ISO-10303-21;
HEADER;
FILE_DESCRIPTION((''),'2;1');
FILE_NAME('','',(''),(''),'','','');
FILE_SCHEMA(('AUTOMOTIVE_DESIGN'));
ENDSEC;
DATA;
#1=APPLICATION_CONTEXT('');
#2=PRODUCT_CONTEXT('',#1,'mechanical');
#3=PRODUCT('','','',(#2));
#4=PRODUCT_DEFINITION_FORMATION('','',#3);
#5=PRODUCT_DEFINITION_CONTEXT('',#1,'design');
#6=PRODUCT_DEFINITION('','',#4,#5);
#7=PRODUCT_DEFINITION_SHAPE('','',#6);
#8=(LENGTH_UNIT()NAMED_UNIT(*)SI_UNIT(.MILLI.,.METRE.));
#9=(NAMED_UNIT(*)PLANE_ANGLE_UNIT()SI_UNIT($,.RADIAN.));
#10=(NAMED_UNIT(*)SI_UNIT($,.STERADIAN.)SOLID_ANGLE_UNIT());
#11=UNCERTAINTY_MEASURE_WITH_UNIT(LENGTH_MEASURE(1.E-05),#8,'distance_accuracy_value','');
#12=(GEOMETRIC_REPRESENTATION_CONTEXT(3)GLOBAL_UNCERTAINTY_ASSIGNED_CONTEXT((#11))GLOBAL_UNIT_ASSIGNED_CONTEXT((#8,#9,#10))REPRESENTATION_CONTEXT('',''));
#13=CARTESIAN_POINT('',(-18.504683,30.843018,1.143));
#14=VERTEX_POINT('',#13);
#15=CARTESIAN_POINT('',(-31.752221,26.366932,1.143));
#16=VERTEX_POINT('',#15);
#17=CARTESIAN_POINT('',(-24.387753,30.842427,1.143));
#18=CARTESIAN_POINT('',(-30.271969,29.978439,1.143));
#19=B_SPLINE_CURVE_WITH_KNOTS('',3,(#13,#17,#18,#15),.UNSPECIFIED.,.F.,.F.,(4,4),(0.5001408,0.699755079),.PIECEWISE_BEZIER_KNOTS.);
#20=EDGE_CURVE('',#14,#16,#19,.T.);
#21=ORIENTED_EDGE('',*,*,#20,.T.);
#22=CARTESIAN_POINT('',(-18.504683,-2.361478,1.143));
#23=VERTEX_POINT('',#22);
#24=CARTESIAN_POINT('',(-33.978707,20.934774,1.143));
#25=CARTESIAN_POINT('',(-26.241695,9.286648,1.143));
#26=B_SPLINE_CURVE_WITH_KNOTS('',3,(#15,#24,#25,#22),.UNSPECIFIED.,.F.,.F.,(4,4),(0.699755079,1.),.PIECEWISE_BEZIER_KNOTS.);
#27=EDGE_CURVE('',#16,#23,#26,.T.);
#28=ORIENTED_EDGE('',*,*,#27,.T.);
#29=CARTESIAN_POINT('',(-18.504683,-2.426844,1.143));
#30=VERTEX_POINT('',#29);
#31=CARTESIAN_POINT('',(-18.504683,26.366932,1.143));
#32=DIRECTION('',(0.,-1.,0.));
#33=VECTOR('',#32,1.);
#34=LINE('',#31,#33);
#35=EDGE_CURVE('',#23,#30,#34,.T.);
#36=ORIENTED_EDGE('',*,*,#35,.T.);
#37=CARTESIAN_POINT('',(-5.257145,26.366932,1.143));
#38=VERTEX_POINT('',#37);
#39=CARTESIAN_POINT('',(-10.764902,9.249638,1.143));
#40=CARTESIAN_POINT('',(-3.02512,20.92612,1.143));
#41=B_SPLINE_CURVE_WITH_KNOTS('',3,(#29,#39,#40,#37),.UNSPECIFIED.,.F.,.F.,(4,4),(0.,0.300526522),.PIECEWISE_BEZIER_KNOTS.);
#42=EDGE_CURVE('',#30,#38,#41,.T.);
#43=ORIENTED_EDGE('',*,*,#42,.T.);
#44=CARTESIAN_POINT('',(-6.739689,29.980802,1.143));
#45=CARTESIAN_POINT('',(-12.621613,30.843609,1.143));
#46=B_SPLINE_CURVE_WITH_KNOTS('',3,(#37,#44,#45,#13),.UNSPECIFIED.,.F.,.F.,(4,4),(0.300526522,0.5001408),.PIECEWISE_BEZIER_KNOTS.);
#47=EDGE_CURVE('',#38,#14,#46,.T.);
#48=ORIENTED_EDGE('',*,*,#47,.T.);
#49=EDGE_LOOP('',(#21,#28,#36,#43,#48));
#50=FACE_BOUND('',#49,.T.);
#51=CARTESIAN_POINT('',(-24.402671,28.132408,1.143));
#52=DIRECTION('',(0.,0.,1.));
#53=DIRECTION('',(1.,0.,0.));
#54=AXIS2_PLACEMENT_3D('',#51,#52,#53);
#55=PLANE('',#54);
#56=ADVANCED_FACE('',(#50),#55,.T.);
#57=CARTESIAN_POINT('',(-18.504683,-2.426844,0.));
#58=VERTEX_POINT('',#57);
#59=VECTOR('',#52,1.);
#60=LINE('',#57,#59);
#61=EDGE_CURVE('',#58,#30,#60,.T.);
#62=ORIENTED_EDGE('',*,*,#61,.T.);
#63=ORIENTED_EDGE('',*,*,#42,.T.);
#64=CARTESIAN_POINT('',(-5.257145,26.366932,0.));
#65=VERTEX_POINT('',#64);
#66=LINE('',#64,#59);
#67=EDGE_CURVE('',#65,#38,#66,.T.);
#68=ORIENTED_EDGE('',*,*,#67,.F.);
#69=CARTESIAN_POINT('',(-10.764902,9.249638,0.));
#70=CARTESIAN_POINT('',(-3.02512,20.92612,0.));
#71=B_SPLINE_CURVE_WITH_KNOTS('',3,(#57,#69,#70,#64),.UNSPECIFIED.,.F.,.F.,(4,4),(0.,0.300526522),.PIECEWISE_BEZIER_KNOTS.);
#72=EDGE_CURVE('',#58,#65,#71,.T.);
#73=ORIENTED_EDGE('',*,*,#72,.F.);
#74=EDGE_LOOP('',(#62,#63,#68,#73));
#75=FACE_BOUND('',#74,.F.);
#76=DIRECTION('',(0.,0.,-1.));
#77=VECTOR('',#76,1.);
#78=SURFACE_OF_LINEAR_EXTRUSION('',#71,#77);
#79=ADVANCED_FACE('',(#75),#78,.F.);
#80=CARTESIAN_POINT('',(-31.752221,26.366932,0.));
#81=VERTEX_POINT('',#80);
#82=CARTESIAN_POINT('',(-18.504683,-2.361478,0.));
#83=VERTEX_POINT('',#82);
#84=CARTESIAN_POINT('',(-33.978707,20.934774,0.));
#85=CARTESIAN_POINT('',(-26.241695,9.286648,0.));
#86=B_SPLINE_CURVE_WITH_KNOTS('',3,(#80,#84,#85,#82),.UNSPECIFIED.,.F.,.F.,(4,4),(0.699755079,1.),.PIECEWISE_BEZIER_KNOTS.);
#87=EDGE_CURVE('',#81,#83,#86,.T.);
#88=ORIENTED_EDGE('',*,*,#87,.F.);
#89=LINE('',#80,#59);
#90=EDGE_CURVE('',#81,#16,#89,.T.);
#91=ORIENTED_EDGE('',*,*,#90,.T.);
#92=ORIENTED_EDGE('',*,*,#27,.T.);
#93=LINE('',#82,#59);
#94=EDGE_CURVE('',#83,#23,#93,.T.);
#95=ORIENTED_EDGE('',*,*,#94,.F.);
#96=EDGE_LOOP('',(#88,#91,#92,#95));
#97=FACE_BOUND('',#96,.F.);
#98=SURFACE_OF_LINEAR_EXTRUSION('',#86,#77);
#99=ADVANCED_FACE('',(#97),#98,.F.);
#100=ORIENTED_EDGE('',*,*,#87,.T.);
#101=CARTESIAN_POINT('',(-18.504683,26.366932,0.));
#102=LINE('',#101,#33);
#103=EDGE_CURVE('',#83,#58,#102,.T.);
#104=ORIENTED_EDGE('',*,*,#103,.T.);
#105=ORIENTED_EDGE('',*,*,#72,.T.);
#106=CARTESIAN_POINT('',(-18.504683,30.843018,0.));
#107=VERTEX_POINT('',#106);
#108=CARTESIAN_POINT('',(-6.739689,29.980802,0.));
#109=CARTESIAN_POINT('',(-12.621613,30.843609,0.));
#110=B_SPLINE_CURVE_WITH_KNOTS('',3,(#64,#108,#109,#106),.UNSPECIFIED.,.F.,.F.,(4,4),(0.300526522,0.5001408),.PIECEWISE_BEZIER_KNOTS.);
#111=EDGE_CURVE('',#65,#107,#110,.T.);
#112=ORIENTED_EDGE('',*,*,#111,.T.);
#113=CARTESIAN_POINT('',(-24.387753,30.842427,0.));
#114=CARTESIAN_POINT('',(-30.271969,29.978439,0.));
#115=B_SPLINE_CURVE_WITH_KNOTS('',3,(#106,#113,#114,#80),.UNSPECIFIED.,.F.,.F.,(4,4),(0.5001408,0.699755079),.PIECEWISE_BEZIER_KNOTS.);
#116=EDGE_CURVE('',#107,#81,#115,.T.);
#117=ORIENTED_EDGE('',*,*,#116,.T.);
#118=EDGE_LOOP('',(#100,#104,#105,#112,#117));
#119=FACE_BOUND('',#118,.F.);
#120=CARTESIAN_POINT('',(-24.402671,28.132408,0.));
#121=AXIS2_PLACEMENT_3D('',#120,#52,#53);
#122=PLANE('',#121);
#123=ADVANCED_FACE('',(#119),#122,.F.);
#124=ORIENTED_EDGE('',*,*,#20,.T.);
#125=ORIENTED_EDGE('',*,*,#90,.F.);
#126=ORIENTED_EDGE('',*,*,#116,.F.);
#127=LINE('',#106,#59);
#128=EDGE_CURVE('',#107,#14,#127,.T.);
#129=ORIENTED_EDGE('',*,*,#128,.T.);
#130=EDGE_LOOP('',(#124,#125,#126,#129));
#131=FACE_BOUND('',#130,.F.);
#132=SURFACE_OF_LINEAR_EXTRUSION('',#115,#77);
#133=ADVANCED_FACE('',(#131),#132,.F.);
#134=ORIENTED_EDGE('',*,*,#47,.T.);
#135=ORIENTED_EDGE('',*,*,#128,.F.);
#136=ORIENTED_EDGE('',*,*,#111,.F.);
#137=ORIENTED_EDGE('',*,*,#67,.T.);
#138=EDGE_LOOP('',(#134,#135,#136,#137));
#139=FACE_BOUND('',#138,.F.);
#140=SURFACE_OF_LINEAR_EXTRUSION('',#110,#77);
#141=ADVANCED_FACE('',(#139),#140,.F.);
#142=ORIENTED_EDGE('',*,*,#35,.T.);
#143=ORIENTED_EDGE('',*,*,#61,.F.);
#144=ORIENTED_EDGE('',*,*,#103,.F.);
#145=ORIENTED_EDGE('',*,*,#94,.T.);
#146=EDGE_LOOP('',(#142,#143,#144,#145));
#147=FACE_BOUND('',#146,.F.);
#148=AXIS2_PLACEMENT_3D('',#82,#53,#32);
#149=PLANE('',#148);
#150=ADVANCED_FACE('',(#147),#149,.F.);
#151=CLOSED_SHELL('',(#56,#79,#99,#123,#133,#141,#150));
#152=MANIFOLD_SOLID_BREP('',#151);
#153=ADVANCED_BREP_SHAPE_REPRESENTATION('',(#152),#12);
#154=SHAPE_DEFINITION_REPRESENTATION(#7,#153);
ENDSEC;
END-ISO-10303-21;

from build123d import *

# Parameters (mm, degrees)
F1_DEPTH = 1.143


with BuildPart() as f1:
    # F0 (on Top) → F1 (new body)
    with BuildSketch(Plane.XY):
        with BuildLine():
            add(Edge.make_bspline(
                [(-18.5046829283, 30.8430176228), (-24.3877528194, 30.8424266682), (-30.2719686891, 29.9784386119), (-31.7522212863, 26.3669323176)],
                knots=[0.5001408003, 0.5001408003, 0.5001408003, 0.5001408003, 0.6997550787, 0.6997550787, 0.6997550787, 0.6997550787], degree=3))
            Line((-31.7522212863, 26.3669323176), (-18.5046829283, 26.3669323176))
            Line((-18.5046829283, 26.3669323176), (-18.5046829283, 30.8430176228))
        make_face()
        with BuildLine():
            Line((-18.5046829283, 26.3669323176), (-31.7522212863, 26.3669323176))
            add(Edge.make_bspline(
                [(-31.7522212863, 26.3669323176), (-33.9787069275, 20.9347736964), (-26.2416949279, 9.2866478226), (-18.5046829283, -2.3614780512)],
                knots=[0.6997550787, 0.6997550787, 0.6997550787, 0.6997550787, 1, 1, 1, 1], degree=3))
            Line((-18.5046829283, -2.3614780512), (-18.5046829283, 26.3669323176))
        make_face()
        with BuildLine():
            Line((-18.5046829283, 30.8430176228), (-18.5046829283, 26.3669323176))
            Line((-18.5046829283, 26.3669323176), (-5.2571445704, 26.3669323176))
            add(Edge.make_bspline(
                [(-5.2571445704, 26.3669323176), (-6.7396891247, 29.9808024305), (-12.6216130372, 30.8436085775), (-18.5046829283, 30.8430176228)],
                knots=[0.300526522, 0.300526522, 0.300526522, 0.300526522, 0.5001408003, 0.5001408003, 0.5001408003, 0.5001408003], degree=3))
        make_face()
        with BuildLine():
            Line((-5.2571445704, 26.3669323176), (-18.5046829283, 26.3669323176))
            Line((-18.5046829283, 26.3669323176), (-18.5046829283, -2.3614780512))
            Line((-18.5046829283, -2.3614780512), (-18.5046829283, -2.4268436246))
            add(Edge.make_bspline(
                [(-18.5046829283, -2.4268436246), (-10.7649015024, 9.249638209), (-3.0251200765, 20.9261200426), (-5.2571445704, 26.3669323176)],
                knots=[0, 0, 0, 0, 0.300526522, 0.300526522, 0.300526522, 0.300526522], degree=3))
        make_face()
    extrude(amount=F1_DEPTH)


solid = f1.part
